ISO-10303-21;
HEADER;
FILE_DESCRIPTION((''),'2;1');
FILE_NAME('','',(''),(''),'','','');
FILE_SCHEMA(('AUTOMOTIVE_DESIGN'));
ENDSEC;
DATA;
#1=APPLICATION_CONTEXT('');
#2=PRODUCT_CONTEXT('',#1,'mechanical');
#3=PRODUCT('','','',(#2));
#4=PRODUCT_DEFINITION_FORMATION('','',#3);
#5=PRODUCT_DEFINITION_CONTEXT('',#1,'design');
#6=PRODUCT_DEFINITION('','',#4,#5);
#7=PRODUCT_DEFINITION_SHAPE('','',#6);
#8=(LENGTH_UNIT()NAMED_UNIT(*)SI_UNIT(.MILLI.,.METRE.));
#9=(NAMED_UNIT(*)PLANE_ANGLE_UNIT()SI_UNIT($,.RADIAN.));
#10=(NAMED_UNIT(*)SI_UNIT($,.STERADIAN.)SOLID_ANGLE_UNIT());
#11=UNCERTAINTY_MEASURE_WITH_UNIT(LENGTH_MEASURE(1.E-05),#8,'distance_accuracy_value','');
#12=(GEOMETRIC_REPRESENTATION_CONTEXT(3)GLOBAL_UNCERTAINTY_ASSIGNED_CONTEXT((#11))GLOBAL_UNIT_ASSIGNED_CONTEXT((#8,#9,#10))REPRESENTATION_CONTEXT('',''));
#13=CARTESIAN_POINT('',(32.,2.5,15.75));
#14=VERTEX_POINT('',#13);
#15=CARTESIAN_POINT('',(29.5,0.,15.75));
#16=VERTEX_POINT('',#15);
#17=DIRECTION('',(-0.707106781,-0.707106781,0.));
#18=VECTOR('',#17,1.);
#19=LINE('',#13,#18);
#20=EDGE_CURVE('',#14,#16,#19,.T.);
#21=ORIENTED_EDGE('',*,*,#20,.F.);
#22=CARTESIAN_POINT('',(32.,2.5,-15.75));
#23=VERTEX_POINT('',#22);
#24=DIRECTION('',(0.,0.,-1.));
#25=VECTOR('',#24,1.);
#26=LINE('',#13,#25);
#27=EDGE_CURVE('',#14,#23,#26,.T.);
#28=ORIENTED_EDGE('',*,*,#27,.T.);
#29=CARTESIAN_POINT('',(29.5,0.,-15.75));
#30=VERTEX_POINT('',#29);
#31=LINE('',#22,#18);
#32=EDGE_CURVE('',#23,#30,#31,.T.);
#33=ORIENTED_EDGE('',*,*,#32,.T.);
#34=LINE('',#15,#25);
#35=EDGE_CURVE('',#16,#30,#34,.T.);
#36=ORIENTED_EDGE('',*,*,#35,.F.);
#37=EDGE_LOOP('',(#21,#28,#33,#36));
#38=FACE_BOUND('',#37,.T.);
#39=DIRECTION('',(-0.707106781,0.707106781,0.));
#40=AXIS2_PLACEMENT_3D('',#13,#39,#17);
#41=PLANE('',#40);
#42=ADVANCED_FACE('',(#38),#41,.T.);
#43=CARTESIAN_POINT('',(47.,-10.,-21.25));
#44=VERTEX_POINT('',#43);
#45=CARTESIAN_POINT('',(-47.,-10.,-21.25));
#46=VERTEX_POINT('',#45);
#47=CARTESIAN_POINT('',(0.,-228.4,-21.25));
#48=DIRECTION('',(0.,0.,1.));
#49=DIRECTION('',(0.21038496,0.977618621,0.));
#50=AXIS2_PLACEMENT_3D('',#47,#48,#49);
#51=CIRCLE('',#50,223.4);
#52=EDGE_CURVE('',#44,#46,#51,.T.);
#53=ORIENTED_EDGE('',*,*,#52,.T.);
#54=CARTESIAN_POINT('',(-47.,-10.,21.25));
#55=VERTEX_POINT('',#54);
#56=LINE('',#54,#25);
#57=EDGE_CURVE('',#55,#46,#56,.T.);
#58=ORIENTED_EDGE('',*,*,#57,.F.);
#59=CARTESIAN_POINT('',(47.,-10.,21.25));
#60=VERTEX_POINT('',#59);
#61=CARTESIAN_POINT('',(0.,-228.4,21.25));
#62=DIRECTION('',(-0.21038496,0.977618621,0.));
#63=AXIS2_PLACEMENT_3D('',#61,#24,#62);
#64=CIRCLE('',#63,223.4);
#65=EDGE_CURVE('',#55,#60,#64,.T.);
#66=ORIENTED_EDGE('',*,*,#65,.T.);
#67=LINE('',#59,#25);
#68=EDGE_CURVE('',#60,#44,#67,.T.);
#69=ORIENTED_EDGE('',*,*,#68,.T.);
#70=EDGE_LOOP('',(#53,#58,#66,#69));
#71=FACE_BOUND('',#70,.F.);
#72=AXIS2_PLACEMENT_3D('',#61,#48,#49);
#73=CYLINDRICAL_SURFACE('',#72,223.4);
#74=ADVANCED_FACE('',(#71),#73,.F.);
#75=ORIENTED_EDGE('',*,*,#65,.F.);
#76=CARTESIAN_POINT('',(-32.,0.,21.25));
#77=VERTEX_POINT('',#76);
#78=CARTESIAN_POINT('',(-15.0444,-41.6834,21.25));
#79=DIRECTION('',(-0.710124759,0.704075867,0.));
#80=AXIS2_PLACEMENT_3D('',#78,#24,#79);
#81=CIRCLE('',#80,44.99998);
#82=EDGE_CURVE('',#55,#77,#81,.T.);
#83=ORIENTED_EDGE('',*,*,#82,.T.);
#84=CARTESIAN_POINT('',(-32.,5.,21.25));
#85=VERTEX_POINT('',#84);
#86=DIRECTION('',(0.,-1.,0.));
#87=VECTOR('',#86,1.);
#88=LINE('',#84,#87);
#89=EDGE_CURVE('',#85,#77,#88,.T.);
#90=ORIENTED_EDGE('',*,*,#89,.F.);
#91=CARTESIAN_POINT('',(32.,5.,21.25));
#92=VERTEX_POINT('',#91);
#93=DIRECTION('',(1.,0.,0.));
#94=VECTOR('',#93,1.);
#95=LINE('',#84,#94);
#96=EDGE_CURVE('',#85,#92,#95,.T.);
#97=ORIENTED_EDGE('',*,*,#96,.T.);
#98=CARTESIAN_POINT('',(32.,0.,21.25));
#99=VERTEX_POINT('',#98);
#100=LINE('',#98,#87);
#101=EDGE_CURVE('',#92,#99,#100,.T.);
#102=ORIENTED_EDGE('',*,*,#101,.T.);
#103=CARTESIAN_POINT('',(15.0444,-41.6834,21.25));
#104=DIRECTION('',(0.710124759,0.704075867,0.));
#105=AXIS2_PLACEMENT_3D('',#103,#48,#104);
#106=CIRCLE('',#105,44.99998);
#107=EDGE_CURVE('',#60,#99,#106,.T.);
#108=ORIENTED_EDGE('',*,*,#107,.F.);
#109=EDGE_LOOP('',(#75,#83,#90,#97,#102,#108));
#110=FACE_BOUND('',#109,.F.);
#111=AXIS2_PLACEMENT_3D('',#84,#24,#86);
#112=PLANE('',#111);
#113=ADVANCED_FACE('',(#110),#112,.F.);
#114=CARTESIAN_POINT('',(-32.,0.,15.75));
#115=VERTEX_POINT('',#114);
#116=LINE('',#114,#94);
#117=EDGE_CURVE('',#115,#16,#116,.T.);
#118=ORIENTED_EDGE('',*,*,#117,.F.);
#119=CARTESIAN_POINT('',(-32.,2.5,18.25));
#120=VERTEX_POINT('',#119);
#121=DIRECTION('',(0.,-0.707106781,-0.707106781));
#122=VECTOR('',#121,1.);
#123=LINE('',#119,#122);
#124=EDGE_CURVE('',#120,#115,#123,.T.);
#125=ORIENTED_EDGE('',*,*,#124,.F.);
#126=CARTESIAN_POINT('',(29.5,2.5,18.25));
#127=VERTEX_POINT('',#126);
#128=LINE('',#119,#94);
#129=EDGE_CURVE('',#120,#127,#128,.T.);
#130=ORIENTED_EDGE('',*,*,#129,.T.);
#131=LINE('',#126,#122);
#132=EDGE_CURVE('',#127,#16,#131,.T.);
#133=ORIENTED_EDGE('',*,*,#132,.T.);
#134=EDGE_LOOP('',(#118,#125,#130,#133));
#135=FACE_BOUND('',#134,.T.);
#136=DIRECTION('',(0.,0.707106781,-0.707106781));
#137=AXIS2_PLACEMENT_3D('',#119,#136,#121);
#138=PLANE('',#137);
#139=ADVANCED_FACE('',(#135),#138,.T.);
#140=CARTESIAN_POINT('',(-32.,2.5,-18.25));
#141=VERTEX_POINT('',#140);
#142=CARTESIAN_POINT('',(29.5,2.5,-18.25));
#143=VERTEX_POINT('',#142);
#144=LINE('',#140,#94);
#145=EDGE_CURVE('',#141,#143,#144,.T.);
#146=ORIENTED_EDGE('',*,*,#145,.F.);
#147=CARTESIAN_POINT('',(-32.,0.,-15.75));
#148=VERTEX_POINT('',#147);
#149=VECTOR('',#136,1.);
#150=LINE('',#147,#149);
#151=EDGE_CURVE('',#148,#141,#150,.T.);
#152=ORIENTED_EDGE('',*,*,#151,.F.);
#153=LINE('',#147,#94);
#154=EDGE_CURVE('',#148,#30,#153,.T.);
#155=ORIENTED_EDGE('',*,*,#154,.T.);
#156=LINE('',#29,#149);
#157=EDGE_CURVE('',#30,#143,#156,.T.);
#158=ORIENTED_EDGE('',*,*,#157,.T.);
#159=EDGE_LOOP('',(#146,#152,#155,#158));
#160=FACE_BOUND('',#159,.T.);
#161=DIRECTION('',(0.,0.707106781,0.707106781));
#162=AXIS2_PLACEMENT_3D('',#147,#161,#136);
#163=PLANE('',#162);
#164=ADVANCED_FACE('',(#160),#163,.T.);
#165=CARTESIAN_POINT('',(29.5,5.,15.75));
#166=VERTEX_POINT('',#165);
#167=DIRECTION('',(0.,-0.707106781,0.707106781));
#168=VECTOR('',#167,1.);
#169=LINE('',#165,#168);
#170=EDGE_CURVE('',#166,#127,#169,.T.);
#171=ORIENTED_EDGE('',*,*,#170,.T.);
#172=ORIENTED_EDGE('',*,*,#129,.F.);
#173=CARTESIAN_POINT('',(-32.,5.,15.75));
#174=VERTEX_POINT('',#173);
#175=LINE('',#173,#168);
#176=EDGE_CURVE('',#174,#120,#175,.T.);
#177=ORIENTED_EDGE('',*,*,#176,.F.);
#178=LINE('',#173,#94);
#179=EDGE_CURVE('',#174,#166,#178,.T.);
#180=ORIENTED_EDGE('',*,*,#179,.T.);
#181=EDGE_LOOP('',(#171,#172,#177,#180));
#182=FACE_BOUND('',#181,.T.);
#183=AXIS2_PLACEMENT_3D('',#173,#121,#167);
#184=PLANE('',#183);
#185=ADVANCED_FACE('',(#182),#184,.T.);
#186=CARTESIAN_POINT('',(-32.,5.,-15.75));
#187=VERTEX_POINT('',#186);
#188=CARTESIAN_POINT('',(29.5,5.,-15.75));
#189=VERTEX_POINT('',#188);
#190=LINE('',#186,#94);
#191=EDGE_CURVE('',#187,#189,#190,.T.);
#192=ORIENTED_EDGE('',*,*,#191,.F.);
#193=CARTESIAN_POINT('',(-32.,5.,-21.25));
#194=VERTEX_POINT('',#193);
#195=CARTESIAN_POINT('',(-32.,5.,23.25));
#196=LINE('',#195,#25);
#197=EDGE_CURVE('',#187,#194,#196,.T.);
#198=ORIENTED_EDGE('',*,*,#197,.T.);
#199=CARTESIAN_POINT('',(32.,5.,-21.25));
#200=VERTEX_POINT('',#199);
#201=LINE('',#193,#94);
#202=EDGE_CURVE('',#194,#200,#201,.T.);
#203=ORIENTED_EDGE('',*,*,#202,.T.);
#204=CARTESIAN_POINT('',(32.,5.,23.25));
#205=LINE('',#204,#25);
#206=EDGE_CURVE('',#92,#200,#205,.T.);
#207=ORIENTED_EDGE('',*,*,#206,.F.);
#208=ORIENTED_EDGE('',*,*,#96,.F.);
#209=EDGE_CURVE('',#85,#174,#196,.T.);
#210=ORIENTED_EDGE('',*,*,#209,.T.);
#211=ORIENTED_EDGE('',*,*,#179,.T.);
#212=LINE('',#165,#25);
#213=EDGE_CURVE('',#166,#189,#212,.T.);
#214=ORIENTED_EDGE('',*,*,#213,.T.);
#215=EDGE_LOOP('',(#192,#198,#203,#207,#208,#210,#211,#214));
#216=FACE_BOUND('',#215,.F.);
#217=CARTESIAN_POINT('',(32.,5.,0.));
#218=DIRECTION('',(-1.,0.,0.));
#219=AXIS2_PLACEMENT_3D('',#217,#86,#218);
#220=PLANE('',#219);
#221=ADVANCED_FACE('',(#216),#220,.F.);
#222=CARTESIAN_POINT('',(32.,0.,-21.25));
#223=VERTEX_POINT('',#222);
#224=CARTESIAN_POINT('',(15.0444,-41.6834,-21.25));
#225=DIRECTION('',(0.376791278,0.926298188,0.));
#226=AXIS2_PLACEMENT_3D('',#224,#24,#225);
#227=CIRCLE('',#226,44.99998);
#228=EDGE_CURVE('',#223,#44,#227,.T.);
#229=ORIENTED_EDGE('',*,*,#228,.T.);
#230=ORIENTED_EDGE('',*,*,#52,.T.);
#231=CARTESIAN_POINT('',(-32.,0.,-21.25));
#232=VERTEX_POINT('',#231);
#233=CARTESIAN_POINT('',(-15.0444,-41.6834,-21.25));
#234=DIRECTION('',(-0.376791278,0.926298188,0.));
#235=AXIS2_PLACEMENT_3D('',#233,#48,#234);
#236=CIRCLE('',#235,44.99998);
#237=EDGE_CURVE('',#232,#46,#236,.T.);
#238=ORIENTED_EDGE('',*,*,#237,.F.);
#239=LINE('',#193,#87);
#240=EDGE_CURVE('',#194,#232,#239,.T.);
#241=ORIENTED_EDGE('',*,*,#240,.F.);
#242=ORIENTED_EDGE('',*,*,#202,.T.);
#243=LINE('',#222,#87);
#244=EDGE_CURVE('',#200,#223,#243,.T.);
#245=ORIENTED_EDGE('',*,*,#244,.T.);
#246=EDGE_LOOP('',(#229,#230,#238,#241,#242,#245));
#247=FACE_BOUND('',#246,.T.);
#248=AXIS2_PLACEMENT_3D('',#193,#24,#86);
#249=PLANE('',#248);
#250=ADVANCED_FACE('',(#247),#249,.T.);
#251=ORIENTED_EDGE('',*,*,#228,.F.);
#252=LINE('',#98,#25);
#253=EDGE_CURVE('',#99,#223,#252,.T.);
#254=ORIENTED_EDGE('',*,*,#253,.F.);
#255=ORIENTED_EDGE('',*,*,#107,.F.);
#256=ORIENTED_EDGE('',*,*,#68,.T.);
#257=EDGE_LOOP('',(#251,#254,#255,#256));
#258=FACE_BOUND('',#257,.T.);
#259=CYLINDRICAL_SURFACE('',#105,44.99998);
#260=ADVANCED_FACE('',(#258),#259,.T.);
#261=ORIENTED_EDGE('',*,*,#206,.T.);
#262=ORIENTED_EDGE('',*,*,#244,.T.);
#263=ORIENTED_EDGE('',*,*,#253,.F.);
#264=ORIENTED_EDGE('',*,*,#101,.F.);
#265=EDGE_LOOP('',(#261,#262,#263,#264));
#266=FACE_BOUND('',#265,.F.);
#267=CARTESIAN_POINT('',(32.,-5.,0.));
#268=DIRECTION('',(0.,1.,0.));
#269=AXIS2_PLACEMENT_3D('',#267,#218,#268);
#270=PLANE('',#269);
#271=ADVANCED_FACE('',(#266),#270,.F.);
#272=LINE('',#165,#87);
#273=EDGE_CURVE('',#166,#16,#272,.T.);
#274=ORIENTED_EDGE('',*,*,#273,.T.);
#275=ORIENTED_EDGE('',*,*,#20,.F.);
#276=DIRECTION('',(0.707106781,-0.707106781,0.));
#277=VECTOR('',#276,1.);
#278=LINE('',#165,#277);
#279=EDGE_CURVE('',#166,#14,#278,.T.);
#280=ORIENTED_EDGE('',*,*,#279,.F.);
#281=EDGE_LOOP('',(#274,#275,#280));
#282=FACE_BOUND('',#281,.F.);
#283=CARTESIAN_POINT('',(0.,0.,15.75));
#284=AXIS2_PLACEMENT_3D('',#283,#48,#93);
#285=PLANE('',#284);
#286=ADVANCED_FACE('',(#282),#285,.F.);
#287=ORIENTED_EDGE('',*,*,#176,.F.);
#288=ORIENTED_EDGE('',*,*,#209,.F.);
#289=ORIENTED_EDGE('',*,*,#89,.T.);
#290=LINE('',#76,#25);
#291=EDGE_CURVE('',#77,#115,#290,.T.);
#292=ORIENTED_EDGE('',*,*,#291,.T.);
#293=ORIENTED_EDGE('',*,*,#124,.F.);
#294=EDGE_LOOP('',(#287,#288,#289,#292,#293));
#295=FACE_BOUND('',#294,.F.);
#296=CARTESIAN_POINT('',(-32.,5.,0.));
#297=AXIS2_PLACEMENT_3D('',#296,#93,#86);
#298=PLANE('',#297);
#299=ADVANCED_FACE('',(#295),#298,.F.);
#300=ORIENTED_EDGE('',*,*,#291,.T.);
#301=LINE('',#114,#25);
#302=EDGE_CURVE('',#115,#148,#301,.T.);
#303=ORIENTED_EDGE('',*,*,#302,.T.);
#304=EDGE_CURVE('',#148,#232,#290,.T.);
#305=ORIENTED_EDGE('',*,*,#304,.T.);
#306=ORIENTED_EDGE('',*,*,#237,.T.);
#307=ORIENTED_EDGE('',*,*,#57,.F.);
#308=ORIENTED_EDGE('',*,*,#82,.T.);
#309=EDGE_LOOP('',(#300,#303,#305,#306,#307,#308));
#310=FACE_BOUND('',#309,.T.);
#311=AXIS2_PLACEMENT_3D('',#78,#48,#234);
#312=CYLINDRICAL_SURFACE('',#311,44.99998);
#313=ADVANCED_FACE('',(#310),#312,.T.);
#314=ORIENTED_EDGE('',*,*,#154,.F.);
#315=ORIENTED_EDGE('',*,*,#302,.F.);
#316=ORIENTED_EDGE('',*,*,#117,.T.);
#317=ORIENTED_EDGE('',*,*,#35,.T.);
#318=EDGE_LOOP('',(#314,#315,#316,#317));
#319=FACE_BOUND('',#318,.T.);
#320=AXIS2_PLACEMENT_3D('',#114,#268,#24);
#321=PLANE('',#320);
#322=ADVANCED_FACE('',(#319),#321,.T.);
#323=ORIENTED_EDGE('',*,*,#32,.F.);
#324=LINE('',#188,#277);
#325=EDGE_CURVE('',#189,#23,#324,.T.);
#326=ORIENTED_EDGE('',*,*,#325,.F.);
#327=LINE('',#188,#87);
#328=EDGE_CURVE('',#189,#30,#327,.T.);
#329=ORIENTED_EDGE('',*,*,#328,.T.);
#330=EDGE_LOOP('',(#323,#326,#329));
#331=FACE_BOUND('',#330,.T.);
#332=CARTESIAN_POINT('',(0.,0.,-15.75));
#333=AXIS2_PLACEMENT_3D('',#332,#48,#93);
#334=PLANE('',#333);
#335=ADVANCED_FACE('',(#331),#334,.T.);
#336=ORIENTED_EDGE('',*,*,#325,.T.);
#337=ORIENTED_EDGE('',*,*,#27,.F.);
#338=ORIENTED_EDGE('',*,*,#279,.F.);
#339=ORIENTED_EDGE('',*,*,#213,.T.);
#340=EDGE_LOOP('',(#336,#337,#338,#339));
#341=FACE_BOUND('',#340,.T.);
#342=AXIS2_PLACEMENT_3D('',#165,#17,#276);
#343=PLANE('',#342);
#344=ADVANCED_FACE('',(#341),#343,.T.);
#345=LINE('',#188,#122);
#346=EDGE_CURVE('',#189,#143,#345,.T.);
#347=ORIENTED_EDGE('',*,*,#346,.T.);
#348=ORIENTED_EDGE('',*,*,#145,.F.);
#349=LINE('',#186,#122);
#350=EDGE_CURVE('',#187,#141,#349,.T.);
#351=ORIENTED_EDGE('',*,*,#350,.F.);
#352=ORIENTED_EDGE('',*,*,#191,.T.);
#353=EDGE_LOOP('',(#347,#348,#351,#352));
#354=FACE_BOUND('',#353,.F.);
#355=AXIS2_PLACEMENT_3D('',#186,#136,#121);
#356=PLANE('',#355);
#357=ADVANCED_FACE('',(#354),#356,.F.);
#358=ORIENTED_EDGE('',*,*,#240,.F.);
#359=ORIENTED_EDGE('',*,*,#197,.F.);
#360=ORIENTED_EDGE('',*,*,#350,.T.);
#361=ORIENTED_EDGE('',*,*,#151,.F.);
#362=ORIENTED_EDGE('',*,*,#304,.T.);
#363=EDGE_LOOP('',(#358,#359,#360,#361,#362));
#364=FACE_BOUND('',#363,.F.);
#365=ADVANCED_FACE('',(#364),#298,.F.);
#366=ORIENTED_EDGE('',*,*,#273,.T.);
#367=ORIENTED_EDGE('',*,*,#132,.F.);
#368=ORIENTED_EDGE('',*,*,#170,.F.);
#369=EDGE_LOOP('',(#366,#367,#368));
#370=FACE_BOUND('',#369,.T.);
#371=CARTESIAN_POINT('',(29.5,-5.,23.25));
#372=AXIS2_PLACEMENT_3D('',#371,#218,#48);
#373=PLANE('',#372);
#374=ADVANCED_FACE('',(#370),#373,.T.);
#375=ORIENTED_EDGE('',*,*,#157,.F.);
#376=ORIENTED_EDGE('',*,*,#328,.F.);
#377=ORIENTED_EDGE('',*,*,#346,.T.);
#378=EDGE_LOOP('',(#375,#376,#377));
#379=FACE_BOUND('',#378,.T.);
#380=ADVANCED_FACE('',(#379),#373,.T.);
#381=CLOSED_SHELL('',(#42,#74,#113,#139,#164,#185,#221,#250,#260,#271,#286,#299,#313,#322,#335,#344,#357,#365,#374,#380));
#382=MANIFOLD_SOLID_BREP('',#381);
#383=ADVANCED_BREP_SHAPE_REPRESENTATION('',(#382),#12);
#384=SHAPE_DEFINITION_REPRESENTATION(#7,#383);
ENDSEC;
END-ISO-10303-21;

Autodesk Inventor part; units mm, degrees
ref_plane "YZ Plane" through (0, 0, 0) normal (1, 0, 0) x (0, 1, 0)
ref_plane "XZ Plane" through (0, 0, 0) normal (0, 1, 0) x (-1, 0, 0)
sketch "Sketch5" plane through (0, 0, 0) normal (0, 0, 1) x (1, 0, 0)
  line L0 (-32, -5) -> (32, -5)
  line L1 (32, -5) -> (32, 5)
  line L2 (32, 5) -> (-32, 5)
  line L3 (-32, 5) -> (-32, -5)
  line L4 (-32, -5) -> (32, 5) construction
  line L5 (32, -5) -> (-32, 5) construction
  point P0 (0, 0)
  dimension "d17" = 64
  dimension "d18" = 10
extrude "Extrusion5" add sketch "Sketch5" along normal mid plane 46.5
ref_plane "Work Plane2" through (0, 0, 15.75) normal (0, 0, 1) x (1, 0, 0)
sketch "Sketch7" plane through (0, 0, 15.75) normal (0, 0, 1) x (1, 0, 0)
  line L0 (32, 5) -> (-32, 5) projected
  line L1 (-32, 5) -> (-32, -5) projected
  line L2 (-32, -5) -> (32, -5) projected
  line L3 (32, -5) -> (32, 5) projected
  line L4 (32, -5) -> (32, 5) projected
  line L5 (-32, -5) -> (32, -5) projected
  line L6 (32, 5) -> (-32, 5) projected
  line L7 (29.5, 5) -> (29.5, 0)
  line L8 (29.5, 5) -> (32, 2.5)
  line L9 (32, 2.5) -> (29.5, 0)
  point P0 (0, 0)
extrude "Extrusion6" cut sketch "Sketch7" against normal blind 31.5 contours L8 L9 L7
sketch "Sketch8" plane through (-32, -5, 23.25) normal (-1, 0, 0) x (0, 0, 1)
  line L0 (-46.5, 10) -> (0, 10) projected
  line L1 (-46.5, 10) -> (-41.5, 10)
  line L2 (-41.5, 0) -> (-46.5, 0)
  line L3 (-46.5, 5) -> (-46.5, 10)
  line L4 (0, 10) -> (-5, 10)
  line L5 (-46.5, 0) -> (-46.5, 10) projected
  line L6 (-41.5, 10) -> (-39, 10)
  line L7 (-39, 10) -> (-41.5, 7.5)
  line L8 (-39, 7.5) -> (-39, 5) projected
  line L9 (-39, 5) -> (-41.5, 7.5)
  line L10 (-5, 10) -> (-7.5, 10)
  line L11 (-7.5, 10) -> (-5, 7.5)
  line L12 (-7.5, 5) -> (-7.5, 7.5) projected
  line L13 (-5, 7.5) -> (-7.5, 5)
  line L14 (-7.5, 5) -> (-39, 5)
  line L15 (-39, 10) -> (-39, 7.5) projected
  line L16 (-7.5, 7.5) -> (-7.5, 10) projected
  line L17 (-39, 10) -> (-7.5, 10)
  line L18 (-39, 10) -> (-7.5, 10)
  line L19 (-7.5, 5) -> (-39, 5) projected
  line L20 (-39, 5) -> (-7.5, 5)
  point P0 (-23.25, 5)
extrude "Extrusion8" cut sketch "Sketch8" against normal blind 61.5
sketch "Sketch9" plane through (-32, -5, -23.25) normal (-1, 0, 0) x (0, 0, 1)
  line L0 (0, 10) -> (46.5, 10) projected
  line L1 (0, 10) -> (2, 10)
  line L2 (2, 10) -> (2, 0)
  line L3 (2, 0) -> (0, 0)
  line L4 (0, 0) -> (0, 10)
  line L5 (46.5, 10) -> (44.5, 10)
  line L6 (44.5, 10) -> (44.5, 0)
  line L7 (44.5, 0) -> (46.5, 0)
  line L8 (46.5, 0) -> (46.5, 10)
  point P0 (23.25, 5)
  dimension "d37" = 2
  dimension "d38" = 2
extrude "Extrusion9" cut sketch "Sketch9" against normal through all
sketch "Sketch10" plane through (-32, -5, 21.25) normal (0, 0, 1) x (1, 0, 0)
  line L0 (0, 10) -> (0, 0) projected
  line L1 (0, 0) -> (0, 5)
  line L2 (0, 5) -> (64, 5)
  line L3 (64, 5) -> (64, 0)
  line L4 (64, 0) -> (0, 0)
  line L5 (0, 0) -> (0, 5)
  line L6 (0, 0) -> (64, 0) projected
  line L7 (32, 0) -> (32, 10)
  line L8 (0, 10) -> (61.5, 10) projected
  line L9 (64, 0) -> (64, 5)
  arc A0 (79, -5) -> (-15, -5) centre (32, -223.4) ccw
  arc A1 (0, 5) -> (-15, -5) centre (16.9556, -36.6834) ccw
  arc A2 (79, -5) -> (64, 5) centre (47.0444, -36.6834) ccw
  line L10 (-9.1083, 0) -> (73.1083, 0)
  point P0 (32, 5)
  dimension "d46" = 45
  dimension "d47" = 45
extrude "Extrusion11" add sketch "Sketch10" against normal blind 42.5 contours L0 L10 A1 | L4 A0 A1 L10 | L4 L10 A2 A0 | A2 L10 L3
properties part number "Enclosure-Bottom"
